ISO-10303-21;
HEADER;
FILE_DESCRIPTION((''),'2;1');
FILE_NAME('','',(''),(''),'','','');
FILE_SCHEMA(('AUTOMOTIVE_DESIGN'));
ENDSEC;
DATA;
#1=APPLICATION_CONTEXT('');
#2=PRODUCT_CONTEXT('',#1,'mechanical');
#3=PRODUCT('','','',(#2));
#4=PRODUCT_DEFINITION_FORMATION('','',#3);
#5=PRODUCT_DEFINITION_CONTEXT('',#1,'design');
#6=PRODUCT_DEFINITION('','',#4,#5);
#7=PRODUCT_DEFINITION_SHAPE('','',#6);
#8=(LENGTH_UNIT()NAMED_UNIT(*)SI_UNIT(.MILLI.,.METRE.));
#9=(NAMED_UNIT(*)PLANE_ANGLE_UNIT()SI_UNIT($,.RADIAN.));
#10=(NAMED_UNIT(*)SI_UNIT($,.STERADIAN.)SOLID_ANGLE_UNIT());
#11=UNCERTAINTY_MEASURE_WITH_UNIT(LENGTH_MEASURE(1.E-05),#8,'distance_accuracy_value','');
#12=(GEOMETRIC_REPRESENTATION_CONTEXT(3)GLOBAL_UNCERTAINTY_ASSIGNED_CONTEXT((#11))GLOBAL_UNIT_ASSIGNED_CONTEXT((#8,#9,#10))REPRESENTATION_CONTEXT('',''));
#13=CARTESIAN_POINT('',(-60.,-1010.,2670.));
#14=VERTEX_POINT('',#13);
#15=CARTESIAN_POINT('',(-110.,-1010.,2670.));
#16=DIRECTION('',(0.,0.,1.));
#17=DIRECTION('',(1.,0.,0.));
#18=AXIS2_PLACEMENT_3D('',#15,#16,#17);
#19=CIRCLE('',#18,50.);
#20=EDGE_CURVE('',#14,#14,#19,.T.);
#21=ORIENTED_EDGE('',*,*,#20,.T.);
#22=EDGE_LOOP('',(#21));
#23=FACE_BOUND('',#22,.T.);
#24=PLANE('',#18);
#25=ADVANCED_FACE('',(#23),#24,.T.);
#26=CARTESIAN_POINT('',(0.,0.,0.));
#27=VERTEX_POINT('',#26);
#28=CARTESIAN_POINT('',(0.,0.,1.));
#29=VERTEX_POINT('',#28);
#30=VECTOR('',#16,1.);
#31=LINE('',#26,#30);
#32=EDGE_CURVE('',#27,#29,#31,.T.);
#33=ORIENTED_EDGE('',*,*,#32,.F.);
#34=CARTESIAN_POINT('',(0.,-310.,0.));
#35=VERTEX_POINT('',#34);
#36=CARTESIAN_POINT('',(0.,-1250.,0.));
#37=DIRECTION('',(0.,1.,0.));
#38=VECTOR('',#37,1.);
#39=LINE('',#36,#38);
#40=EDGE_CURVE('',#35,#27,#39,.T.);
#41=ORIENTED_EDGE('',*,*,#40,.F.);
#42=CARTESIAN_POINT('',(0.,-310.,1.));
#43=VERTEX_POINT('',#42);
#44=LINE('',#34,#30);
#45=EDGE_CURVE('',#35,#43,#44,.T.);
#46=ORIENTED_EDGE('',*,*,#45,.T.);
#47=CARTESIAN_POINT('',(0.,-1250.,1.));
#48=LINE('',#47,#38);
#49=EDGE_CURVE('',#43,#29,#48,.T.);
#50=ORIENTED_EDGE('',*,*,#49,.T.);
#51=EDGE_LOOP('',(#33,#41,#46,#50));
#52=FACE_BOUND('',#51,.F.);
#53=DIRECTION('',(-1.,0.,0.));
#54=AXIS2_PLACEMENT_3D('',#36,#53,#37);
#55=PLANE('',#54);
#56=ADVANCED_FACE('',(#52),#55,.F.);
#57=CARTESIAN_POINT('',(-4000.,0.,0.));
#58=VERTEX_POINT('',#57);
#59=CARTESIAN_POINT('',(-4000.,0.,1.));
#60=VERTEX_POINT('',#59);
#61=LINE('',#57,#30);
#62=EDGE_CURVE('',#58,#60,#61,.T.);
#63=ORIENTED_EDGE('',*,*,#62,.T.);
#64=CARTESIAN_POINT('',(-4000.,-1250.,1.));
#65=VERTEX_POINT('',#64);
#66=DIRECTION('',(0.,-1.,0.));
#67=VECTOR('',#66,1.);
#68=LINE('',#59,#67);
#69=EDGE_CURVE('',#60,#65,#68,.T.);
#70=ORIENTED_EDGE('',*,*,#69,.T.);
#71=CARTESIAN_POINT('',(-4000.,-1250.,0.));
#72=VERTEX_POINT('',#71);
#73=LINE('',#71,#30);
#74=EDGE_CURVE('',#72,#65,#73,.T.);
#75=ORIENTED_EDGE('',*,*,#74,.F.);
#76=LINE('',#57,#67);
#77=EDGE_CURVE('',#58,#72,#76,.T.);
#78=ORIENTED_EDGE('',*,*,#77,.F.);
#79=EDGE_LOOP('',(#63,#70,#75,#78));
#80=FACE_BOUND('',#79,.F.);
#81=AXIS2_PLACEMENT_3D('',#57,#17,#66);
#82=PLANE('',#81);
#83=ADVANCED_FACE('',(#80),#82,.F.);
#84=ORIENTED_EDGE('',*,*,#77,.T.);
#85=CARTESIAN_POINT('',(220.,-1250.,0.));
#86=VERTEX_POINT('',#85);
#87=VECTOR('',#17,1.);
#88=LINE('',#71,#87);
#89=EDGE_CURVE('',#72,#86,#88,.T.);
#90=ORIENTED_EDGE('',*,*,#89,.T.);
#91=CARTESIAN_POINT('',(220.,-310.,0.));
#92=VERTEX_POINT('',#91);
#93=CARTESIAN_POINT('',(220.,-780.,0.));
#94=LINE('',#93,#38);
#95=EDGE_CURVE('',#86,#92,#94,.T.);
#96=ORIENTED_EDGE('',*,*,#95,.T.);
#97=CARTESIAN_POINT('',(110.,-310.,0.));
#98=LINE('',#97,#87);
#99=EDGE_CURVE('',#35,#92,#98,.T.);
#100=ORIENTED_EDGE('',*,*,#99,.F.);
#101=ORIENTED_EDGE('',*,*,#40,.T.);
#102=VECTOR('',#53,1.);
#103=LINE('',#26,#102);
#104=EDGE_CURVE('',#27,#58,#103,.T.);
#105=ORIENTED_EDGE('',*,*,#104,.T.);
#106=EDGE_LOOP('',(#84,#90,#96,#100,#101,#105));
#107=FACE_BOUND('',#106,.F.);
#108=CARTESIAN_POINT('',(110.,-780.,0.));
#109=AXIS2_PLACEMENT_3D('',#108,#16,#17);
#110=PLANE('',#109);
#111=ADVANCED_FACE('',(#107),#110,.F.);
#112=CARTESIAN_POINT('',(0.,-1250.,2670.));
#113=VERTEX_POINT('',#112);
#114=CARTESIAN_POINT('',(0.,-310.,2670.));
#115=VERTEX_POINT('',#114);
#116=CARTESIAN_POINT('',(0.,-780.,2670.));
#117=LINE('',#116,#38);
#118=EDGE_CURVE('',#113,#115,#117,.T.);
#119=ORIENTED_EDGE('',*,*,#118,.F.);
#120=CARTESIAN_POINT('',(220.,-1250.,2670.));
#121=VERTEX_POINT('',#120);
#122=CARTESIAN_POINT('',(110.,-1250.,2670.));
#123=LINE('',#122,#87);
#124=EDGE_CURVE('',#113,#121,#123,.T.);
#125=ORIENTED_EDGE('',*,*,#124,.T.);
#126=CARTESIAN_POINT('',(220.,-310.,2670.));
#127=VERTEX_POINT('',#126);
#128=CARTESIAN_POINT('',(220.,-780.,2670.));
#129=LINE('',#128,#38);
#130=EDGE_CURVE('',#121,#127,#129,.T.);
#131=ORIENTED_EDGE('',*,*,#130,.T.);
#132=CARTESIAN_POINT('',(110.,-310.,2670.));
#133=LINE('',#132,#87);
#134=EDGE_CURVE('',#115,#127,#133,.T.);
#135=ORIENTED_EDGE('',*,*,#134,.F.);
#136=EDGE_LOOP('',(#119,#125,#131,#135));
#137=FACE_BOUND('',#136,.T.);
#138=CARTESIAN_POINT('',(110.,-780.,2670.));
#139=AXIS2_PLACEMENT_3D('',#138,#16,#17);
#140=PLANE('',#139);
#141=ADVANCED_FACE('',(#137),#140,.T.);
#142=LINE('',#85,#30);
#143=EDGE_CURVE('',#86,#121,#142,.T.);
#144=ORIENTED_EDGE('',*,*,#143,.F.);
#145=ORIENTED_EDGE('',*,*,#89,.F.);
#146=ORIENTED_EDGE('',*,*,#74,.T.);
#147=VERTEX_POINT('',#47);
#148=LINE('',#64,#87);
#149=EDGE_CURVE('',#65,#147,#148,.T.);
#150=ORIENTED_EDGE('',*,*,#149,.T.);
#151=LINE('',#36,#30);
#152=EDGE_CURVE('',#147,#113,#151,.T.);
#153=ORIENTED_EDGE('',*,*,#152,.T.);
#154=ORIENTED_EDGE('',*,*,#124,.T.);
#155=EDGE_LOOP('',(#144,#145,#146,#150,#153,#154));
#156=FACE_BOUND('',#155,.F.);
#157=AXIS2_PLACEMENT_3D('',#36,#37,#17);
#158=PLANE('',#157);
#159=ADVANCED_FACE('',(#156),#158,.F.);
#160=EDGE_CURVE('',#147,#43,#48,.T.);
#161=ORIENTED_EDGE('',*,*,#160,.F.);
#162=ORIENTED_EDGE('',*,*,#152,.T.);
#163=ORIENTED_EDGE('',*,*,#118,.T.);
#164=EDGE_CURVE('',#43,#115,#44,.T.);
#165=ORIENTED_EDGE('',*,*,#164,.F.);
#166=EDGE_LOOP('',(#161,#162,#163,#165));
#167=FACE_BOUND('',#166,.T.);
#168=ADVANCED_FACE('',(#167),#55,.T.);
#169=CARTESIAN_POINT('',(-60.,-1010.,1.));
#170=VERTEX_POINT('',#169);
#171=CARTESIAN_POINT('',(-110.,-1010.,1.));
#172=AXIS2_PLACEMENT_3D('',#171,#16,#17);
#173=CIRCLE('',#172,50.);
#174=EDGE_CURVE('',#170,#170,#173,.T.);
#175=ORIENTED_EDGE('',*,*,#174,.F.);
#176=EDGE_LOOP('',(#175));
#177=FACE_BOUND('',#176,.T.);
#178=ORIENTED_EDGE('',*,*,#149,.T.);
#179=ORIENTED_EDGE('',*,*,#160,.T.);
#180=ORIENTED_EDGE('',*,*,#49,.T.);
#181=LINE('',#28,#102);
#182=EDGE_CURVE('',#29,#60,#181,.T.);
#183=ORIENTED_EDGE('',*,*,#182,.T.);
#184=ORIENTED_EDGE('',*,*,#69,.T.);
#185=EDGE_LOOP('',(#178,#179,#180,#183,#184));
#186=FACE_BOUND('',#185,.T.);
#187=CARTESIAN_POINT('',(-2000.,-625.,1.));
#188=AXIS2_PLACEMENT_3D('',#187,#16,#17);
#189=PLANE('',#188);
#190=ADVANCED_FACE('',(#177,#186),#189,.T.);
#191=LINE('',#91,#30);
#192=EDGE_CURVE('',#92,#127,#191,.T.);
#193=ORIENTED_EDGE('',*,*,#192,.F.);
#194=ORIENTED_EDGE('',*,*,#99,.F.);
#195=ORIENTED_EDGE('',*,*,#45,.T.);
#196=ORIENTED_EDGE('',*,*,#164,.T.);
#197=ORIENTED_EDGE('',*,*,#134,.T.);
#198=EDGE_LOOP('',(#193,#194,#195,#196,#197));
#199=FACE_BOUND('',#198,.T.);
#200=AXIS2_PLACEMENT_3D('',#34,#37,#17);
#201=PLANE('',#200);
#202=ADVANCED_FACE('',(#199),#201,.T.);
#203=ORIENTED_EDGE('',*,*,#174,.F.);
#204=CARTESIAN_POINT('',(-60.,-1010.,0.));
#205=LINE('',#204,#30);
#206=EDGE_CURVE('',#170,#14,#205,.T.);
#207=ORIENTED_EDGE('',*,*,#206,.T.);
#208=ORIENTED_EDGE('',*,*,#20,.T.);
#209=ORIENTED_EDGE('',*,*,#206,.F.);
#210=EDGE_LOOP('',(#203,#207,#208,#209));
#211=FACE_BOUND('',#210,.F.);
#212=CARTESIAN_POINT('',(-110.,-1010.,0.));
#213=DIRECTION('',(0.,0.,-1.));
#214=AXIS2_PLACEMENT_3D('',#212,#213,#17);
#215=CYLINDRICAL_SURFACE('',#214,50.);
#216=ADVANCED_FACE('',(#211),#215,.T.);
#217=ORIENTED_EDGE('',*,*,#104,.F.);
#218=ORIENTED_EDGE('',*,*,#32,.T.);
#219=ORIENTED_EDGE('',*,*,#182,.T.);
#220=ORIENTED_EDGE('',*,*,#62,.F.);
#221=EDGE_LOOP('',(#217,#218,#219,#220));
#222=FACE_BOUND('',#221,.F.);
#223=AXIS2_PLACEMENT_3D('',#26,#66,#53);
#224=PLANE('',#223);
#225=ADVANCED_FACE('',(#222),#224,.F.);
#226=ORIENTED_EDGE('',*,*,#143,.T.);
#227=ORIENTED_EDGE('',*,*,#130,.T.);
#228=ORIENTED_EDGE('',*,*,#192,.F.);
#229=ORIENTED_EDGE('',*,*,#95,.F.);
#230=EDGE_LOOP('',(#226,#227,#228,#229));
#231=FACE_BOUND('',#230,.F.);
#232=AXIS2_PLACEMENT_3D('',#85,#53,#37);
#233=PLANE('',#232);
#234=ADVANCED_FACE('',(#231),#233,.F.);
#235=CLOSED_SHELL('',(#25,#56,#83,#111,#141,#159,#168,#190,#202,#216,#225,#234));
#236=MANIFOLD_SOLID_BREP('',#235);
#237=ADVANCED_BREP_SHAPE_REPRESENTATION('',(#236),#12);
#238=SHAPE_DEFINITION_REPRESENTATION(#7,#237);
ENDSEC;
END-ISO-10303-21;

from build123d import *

# Parameters (mm, degrees)
F0_R     = 50
F1_DEPTH = 1
F0_W     = 220
F0_H     = 940
F2_DEPTH = 2670


with BuildPart() as f1:
    # F0 (on Top) → F1 (new body)
    with BuildSketch(Plane.XY):
        Polygon((0, 0), (-4000, 0), (-4000, -1250), (0, -1250), (0, -310), align=None)
        with Locations((-110, -1010)):
            Circle(F0_R, mode=Mode.SUBTRACT)
    extrude(amount=F1_DEPTH)

    # F0 (on Top) → F2 (join)
    with BuildSketch(Plane.XY):
        with Locations((110, -780)):
            Rectangle(F0_W, F0_H)
        with Locations((-110, -1010)):
            Circle(F0_R)
    extrude(amount=F2_DEPTH)


solid = f1.part
